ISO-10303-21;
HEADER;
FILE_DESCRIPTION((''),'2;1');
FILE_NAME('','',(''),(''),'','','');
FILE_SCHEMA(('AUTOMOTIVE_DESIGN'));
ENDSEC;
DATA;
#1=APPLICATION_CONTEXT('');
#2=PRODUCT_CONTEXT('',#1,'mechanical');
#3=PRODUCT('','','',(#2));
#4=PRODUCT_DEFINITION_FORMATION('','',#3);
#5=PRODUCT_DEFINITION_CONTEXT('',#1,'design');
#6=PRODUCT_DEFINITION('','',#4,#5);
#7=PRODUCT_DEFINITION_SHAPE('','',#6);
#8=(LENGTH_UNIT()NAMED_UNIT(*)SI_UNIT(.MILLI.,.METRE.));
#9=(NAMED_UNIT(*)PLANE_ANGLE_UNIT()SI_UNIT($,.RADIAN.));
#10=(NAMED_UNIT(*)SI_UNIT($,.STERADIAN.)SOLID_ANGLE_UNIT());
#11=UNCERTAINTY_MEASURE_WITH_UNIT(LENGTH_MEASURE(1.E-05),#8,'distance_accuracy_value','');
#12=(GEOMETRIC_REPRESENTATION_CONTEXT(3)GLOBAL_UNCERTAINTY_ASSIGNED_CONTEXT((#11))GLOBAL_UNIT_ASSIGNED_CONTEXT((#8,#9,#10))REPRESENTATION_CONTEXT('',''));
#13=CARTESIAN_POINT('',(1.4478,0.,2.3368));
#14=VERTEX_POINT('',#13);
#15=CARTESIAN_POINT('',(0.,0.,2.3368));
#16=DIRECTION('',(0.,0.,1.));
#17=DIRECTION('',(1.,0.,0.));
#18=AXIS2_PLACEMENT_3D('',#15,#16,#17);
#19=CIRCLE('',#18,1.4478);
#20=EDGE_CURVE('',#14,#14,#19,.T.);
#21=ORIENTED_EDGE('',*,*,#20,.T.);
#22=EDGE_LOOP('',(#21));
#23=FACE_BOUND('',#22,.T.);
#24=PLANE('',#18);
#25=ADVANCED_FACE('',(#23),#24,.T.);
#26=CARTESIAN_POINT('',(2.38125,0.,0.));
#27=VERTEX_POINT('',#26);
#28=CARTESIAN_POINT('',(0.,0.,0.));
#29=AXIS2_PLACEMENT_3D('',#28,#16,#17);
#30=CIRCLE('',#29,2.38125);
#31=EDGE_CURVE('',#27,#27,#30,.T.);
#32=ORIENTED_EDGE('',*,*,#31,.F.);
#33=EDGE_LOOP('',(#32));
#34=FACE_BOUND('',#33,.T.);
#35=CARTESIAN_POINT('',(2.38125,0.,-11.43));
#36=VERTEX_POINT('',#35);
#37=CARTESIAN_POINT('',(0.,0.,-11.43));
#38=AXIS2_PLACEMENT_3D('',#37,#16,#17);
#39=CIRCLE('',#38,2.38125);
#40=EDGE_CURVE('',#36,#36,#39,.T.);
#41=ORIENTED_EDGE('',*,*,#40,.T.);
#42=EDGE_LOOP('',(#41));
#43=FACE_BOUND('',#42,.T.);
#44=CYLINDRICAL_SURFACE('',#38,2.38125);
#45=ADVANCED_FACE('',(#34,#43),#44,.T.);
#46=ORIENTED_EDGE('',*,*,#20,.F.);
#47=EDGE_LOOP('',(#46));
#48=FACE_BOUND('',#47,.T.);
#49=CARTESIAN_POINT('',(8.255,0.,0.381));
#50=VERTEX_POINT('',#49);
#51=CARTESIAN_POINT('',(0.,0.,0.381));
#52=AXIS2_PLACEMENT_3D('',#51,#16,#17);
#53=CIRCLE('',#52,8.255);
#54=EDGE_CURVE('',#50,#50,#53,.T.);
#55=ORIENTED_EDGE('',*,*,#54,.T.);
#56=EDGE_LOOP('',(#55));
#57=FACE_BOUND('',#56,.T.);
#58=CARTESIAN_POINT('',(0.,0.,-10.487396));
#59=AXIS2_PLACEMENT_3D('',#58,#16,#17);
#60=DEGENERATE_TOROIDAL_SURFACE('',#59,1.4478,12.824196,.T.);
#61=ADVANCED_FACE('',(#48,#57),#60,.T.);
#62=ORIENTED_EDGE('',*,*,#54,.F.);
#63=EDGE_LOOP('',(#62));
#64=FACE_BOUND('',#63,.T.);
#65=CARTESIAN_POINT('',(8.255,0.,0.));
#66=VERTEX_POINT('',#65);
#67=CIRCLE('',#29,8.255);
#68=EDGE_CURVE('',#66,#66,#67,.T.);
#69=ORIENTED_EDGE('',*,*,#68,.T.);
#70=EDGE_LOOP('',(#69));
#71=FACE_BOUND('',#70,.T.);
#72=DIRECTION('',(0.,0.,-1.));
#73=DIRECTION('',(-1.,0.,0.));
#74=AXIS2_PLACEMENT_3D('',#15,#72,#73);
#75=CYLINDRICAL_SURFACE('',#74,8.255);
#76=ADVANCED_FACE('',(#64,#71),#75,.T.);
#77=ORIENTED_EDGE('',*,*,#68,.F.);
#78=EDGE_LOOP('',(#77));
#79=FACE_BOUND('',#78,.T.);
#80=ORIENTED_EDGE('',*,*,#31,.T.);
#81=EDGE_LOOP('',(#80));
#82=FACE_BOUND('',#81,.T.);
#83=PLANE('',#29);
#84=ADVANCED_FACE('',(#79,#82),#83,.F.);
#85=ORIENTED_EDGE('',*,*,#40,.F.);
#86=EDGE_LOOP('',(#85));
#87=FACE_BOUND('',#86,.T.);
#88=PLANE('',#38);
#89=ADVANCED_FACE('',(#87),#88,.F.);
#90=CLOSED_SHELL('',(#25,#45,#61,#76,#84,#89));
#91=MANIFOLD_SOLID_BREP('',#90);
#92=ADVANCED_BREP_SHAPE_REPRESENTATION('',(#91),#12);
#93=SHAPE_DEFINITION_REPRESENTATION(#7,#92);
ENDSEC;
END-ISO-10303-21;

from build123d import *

# Parameters (mm, degrees)
SKETCH1_R           = 8.255
BOSS_EXTRUDE1_DEPTH = 2.3368
SKETCH2_R           = 2.38125
BOSS_EXTRUDE2_DEPTH = 11.43


with BuildPart() as part:
    # Sketch1 → Boss-Extrude1 (new body)
    with BuildSketch(Plane.XY):
        Circle(SKETCH1_R)
    extrude(amount=BOSS_EXTRUDE1_DEPTH)

    # Sketch2 → Boss-Extrude2 (add)
    with BuildSketch(Plane.XY):
        Circle(SKETCH2_R)
    extrude(amount=-BOSS_EXTRUDE2_DEPTH)

    # Sketch3 → Cut-Revolve1 (revolve, cut)
    with BuildSketch(Plane(origin=(0, 0, 0), x_dir=(1, 0, 0), z_dir=(0, 1, 0))):
        with BuildLine():
            ThreePointArc((1.4478, -2.3368), (4.989096566, -1.838155581), (8.255, -0.381))
            Line((8.255, -0.381), (8.255, -2.3368))
            Line((8.255, -2.3368), (1.4478, -2.3368))
        make_face()
    revolve(axis=Axis((0, 0, 2.3368), (0, 0, -1)), mode=Mode.SUBTRACT)


solid = part.part
